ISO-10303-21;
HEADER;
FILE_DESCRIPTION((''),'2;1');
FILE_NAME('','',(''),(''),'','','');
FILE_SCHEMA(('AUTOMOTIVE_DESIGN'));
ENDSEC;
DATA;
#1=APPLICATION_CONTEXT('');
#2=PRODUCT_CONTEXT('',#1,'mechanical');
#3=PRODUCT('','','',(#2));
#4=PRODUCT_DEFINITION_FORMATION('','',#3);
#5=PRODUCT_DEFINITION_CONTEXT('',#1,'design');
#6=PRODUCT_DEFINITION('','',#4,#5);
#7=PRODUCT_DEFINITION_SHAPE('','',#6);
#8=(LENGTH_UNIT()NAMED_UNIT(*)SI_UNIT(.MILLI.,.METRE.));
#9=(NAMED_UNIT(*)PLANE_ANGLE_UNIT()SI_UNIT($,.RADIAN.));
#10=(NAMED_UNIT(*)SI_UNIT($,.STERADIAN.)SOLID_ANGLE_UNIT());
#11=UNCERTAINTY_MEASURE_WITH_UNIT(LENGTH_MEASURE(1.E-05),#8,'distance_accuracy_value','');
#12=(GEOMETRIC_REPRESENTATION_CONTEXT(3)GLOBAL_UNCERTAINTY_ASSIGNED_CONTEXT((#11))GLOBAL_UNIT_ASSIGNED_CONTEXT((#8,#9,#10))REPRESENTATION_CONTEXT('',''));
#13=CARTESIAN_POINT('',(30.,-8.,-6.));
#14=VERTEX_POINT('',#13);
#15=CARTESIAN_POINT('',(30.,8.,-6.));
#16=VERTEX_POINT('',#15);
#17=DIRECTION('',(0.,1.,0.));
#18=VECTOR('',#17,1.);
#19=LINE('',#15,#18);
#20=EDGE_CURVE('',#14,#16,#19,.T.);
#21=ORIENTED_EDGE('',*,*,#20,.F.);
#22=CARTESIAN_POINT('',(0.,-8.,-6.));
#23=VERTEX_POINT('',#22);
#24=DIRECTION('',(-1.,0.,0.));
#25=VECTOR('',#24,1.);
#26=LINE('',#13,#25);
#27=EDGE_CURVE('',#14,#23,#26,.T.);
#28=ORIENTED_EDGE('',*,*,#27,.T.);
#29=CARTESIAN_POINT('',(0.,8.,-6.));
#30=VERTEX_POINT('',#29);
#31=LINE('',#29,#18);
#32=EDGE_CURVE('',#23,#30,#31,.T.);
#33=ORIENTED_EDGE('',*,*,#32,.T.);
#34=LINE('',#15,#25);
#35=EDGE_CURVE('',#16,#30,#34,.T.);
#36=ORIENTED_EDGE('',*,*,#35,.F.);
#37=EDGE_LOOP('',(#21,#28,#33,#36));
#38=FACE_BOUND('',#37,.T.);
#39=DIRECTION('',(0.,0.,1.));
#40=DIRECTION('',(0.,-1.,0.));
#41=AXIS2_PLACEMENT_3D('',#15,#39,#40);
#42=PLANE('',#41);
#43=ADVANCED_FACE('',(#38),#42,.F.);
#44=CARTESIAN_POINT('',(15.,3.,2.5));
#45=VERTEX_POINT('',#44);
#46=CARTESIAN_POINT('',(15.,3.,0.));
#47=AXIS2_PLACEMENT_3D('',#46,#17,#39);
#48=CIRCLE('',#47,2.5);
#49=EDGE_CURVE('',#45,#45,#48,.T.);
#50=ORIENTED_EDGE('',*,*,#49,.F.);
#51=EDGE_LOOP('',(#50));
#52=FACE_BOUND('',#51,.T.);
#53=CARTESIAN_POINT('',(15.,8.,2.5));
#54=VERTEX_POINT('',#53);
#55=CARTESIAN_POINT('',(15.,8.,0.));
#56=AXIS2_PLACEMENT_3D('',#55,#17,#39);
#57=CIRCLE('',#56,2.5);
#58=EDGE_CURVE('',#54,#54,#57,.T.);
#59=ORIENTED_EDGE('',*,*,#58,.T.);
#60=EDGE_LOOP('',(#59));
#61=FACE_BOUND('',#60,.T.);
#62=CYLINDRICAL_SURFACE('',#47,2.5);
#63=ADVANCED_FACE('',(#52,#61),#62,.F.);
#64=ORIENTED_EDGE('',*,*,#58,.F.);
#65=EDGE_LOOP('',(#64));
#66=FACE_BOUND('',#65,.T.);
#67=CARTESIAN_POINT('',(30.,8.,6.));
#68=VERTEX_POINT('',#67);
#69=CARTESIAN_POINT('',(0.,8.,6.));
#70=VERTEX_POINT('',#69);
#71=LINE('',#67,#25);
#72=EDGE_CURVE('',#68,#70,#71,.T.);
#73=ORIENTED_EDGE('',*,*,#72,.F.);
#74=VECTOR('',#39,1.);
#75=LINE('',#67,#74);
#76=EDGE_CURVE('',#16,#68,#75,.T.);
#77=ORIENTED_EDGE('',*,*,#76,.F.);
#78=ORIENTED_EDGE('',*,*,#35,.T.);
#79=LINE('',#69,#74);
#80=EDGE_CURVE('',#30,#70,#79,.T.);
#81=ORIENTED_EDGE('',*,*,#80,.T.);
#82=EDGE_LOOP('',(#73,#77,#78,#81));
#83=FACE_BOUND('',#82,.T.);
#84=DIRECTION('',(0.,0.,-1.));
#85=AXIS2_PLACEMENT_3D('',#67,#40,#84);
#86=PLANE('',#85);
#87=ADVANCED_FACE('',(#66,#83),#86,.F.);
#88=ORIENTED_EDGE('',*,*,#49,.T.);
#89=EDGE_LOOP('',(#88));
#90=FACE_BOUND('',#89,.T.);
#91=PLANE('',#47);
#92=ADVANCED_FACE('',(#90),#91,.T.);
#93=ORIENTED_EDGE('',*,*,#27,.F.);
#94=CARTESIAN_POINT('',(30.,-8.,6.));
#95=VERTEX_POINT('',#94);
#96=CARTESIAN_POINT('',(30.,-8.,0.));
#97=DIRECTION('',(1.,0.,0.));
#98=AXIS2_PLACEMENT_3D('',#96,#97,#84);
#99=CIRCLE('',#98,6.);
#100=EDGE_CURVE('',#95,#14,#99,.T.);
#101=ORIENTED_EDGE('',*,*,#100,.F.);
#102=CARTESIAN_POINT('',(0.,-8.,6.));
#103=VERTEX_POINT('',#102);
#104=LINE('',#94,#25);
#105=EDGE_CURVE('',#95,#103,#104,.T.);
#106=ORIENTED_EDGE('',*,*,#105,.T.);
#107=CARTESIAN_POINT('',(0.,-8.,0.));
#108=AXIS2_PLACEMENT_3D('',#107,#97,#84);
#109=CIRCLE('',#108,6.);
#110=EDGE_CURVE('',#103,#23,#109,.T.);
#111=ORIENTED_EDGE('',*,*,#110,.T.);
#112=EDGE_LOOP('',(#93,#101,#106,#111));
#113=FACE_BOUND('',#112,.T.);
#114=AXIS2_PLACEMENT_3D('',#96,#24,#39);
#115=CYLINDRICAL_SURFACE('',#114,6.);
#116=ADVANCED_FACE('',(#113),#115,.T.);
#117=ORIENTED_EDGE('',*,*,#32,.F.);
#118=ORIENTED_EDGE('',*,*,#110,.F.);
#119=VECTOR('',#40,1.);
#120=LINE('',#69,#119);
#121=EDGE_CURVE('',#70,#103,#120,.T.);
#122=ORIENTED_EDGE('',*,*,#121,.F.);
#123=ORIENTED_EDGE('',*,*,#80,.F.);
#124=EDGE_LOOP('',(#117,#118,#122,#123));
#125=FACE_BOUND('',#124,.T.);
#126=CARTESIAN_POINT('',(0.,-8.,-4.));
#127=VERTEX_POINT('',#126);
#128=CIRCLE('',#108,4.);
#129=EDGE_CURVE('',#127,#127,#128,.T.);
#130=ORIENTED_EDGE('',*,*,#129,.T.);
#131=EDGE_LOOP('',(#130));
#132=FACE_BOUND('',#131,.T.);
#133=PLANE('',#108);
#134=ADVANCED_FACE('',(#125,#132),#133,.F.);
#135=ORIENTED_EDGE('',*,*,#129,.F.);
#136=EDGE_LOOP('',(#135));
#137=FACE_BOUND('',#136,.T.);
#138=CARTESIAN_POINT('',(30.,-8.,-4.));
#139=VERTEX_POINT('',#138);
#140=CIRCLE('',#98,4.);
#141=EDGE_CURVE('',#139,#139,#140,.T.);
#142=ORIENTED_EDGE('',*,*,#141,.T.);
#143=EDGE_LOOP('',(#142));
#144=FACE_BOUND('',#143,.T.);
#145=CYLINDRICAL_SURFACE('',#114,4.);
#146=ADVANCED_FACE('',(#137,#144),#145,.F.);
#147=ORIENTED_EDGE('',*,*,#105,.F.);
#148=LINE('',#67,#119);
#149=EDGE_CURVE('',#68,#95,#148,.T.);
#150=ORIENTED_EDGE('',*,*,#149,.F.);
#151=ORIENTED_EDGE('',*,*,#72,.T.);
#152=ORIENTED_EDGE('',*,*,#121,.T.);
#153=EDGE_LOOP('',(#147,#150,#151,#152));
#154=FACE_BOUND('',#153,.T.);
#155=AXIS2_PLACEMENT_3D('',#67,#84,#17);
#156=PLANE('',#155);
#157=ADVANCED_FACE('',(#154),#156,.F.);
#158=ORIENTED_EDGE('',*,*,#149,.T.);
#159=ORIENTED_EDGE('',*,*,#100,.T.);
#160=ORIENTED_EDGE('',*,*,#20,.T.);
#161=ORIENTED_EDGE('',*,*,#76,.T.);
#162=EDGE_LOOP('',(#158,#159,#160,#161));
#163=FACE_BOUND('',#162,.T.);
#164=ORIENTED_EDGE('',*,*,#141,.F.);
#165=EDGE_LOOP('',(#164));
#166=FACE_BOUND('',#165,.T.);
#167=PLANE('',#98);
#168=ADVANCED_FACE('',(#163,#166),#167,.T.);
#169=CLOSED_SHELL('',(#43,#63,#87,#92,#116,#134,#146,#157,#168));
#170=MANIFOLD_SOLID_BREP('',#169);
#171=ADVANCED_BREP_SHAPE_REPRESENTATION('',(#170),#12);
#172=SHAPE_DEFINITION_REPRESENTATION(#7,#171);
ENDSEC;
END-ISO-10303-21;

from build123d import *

# Parameters (mm, degrees)
SKETCH1_R           = 4
BOSS_EXTRUDE1_DEPTH = 30
SKETCH2_R           = 2.5
CUT_EXTRUDE1_DEPTH  = 5


with BuildPart() as part:
    # Sketch1 → Boss-Extrude1 (new body)
    with BuildSketch(Plane(origin=(0, 0, 0), x_dir=(0, 0, -1), z_dir=(1, 0, 0))):
        with BuildLine():
            Line((-6, 8), (6, 8))
            Line((6, 8), (6, -8))
            ThreePointArc((6, -8), (0, -14), (-6, -8))
            Line((-6, -8), (-6, 8))
        make_face()
        with Locations((0, -8)):
            Circle(SKETCH1_R, mode=Mode.SUBTRACT)
    extrude(amount=BOSS_EXTRUDE1_DEPTH)

    # Sketch2 → Cut-Extrude1 (cut)
    with BuildSketch(Plane(origin=(0, 8, 0), x_dir=(1, 0, 0), z_dir=(0, 1, 0))):
        with Locations(Location((15, 0, 0), (0, 0, 270))):
            Circle(SKETCH2_R)
    extrude(amount=-CUT_EXTRUDE1_DEPTH, mode=Mode.SUBTRACT)


solid = part.part
